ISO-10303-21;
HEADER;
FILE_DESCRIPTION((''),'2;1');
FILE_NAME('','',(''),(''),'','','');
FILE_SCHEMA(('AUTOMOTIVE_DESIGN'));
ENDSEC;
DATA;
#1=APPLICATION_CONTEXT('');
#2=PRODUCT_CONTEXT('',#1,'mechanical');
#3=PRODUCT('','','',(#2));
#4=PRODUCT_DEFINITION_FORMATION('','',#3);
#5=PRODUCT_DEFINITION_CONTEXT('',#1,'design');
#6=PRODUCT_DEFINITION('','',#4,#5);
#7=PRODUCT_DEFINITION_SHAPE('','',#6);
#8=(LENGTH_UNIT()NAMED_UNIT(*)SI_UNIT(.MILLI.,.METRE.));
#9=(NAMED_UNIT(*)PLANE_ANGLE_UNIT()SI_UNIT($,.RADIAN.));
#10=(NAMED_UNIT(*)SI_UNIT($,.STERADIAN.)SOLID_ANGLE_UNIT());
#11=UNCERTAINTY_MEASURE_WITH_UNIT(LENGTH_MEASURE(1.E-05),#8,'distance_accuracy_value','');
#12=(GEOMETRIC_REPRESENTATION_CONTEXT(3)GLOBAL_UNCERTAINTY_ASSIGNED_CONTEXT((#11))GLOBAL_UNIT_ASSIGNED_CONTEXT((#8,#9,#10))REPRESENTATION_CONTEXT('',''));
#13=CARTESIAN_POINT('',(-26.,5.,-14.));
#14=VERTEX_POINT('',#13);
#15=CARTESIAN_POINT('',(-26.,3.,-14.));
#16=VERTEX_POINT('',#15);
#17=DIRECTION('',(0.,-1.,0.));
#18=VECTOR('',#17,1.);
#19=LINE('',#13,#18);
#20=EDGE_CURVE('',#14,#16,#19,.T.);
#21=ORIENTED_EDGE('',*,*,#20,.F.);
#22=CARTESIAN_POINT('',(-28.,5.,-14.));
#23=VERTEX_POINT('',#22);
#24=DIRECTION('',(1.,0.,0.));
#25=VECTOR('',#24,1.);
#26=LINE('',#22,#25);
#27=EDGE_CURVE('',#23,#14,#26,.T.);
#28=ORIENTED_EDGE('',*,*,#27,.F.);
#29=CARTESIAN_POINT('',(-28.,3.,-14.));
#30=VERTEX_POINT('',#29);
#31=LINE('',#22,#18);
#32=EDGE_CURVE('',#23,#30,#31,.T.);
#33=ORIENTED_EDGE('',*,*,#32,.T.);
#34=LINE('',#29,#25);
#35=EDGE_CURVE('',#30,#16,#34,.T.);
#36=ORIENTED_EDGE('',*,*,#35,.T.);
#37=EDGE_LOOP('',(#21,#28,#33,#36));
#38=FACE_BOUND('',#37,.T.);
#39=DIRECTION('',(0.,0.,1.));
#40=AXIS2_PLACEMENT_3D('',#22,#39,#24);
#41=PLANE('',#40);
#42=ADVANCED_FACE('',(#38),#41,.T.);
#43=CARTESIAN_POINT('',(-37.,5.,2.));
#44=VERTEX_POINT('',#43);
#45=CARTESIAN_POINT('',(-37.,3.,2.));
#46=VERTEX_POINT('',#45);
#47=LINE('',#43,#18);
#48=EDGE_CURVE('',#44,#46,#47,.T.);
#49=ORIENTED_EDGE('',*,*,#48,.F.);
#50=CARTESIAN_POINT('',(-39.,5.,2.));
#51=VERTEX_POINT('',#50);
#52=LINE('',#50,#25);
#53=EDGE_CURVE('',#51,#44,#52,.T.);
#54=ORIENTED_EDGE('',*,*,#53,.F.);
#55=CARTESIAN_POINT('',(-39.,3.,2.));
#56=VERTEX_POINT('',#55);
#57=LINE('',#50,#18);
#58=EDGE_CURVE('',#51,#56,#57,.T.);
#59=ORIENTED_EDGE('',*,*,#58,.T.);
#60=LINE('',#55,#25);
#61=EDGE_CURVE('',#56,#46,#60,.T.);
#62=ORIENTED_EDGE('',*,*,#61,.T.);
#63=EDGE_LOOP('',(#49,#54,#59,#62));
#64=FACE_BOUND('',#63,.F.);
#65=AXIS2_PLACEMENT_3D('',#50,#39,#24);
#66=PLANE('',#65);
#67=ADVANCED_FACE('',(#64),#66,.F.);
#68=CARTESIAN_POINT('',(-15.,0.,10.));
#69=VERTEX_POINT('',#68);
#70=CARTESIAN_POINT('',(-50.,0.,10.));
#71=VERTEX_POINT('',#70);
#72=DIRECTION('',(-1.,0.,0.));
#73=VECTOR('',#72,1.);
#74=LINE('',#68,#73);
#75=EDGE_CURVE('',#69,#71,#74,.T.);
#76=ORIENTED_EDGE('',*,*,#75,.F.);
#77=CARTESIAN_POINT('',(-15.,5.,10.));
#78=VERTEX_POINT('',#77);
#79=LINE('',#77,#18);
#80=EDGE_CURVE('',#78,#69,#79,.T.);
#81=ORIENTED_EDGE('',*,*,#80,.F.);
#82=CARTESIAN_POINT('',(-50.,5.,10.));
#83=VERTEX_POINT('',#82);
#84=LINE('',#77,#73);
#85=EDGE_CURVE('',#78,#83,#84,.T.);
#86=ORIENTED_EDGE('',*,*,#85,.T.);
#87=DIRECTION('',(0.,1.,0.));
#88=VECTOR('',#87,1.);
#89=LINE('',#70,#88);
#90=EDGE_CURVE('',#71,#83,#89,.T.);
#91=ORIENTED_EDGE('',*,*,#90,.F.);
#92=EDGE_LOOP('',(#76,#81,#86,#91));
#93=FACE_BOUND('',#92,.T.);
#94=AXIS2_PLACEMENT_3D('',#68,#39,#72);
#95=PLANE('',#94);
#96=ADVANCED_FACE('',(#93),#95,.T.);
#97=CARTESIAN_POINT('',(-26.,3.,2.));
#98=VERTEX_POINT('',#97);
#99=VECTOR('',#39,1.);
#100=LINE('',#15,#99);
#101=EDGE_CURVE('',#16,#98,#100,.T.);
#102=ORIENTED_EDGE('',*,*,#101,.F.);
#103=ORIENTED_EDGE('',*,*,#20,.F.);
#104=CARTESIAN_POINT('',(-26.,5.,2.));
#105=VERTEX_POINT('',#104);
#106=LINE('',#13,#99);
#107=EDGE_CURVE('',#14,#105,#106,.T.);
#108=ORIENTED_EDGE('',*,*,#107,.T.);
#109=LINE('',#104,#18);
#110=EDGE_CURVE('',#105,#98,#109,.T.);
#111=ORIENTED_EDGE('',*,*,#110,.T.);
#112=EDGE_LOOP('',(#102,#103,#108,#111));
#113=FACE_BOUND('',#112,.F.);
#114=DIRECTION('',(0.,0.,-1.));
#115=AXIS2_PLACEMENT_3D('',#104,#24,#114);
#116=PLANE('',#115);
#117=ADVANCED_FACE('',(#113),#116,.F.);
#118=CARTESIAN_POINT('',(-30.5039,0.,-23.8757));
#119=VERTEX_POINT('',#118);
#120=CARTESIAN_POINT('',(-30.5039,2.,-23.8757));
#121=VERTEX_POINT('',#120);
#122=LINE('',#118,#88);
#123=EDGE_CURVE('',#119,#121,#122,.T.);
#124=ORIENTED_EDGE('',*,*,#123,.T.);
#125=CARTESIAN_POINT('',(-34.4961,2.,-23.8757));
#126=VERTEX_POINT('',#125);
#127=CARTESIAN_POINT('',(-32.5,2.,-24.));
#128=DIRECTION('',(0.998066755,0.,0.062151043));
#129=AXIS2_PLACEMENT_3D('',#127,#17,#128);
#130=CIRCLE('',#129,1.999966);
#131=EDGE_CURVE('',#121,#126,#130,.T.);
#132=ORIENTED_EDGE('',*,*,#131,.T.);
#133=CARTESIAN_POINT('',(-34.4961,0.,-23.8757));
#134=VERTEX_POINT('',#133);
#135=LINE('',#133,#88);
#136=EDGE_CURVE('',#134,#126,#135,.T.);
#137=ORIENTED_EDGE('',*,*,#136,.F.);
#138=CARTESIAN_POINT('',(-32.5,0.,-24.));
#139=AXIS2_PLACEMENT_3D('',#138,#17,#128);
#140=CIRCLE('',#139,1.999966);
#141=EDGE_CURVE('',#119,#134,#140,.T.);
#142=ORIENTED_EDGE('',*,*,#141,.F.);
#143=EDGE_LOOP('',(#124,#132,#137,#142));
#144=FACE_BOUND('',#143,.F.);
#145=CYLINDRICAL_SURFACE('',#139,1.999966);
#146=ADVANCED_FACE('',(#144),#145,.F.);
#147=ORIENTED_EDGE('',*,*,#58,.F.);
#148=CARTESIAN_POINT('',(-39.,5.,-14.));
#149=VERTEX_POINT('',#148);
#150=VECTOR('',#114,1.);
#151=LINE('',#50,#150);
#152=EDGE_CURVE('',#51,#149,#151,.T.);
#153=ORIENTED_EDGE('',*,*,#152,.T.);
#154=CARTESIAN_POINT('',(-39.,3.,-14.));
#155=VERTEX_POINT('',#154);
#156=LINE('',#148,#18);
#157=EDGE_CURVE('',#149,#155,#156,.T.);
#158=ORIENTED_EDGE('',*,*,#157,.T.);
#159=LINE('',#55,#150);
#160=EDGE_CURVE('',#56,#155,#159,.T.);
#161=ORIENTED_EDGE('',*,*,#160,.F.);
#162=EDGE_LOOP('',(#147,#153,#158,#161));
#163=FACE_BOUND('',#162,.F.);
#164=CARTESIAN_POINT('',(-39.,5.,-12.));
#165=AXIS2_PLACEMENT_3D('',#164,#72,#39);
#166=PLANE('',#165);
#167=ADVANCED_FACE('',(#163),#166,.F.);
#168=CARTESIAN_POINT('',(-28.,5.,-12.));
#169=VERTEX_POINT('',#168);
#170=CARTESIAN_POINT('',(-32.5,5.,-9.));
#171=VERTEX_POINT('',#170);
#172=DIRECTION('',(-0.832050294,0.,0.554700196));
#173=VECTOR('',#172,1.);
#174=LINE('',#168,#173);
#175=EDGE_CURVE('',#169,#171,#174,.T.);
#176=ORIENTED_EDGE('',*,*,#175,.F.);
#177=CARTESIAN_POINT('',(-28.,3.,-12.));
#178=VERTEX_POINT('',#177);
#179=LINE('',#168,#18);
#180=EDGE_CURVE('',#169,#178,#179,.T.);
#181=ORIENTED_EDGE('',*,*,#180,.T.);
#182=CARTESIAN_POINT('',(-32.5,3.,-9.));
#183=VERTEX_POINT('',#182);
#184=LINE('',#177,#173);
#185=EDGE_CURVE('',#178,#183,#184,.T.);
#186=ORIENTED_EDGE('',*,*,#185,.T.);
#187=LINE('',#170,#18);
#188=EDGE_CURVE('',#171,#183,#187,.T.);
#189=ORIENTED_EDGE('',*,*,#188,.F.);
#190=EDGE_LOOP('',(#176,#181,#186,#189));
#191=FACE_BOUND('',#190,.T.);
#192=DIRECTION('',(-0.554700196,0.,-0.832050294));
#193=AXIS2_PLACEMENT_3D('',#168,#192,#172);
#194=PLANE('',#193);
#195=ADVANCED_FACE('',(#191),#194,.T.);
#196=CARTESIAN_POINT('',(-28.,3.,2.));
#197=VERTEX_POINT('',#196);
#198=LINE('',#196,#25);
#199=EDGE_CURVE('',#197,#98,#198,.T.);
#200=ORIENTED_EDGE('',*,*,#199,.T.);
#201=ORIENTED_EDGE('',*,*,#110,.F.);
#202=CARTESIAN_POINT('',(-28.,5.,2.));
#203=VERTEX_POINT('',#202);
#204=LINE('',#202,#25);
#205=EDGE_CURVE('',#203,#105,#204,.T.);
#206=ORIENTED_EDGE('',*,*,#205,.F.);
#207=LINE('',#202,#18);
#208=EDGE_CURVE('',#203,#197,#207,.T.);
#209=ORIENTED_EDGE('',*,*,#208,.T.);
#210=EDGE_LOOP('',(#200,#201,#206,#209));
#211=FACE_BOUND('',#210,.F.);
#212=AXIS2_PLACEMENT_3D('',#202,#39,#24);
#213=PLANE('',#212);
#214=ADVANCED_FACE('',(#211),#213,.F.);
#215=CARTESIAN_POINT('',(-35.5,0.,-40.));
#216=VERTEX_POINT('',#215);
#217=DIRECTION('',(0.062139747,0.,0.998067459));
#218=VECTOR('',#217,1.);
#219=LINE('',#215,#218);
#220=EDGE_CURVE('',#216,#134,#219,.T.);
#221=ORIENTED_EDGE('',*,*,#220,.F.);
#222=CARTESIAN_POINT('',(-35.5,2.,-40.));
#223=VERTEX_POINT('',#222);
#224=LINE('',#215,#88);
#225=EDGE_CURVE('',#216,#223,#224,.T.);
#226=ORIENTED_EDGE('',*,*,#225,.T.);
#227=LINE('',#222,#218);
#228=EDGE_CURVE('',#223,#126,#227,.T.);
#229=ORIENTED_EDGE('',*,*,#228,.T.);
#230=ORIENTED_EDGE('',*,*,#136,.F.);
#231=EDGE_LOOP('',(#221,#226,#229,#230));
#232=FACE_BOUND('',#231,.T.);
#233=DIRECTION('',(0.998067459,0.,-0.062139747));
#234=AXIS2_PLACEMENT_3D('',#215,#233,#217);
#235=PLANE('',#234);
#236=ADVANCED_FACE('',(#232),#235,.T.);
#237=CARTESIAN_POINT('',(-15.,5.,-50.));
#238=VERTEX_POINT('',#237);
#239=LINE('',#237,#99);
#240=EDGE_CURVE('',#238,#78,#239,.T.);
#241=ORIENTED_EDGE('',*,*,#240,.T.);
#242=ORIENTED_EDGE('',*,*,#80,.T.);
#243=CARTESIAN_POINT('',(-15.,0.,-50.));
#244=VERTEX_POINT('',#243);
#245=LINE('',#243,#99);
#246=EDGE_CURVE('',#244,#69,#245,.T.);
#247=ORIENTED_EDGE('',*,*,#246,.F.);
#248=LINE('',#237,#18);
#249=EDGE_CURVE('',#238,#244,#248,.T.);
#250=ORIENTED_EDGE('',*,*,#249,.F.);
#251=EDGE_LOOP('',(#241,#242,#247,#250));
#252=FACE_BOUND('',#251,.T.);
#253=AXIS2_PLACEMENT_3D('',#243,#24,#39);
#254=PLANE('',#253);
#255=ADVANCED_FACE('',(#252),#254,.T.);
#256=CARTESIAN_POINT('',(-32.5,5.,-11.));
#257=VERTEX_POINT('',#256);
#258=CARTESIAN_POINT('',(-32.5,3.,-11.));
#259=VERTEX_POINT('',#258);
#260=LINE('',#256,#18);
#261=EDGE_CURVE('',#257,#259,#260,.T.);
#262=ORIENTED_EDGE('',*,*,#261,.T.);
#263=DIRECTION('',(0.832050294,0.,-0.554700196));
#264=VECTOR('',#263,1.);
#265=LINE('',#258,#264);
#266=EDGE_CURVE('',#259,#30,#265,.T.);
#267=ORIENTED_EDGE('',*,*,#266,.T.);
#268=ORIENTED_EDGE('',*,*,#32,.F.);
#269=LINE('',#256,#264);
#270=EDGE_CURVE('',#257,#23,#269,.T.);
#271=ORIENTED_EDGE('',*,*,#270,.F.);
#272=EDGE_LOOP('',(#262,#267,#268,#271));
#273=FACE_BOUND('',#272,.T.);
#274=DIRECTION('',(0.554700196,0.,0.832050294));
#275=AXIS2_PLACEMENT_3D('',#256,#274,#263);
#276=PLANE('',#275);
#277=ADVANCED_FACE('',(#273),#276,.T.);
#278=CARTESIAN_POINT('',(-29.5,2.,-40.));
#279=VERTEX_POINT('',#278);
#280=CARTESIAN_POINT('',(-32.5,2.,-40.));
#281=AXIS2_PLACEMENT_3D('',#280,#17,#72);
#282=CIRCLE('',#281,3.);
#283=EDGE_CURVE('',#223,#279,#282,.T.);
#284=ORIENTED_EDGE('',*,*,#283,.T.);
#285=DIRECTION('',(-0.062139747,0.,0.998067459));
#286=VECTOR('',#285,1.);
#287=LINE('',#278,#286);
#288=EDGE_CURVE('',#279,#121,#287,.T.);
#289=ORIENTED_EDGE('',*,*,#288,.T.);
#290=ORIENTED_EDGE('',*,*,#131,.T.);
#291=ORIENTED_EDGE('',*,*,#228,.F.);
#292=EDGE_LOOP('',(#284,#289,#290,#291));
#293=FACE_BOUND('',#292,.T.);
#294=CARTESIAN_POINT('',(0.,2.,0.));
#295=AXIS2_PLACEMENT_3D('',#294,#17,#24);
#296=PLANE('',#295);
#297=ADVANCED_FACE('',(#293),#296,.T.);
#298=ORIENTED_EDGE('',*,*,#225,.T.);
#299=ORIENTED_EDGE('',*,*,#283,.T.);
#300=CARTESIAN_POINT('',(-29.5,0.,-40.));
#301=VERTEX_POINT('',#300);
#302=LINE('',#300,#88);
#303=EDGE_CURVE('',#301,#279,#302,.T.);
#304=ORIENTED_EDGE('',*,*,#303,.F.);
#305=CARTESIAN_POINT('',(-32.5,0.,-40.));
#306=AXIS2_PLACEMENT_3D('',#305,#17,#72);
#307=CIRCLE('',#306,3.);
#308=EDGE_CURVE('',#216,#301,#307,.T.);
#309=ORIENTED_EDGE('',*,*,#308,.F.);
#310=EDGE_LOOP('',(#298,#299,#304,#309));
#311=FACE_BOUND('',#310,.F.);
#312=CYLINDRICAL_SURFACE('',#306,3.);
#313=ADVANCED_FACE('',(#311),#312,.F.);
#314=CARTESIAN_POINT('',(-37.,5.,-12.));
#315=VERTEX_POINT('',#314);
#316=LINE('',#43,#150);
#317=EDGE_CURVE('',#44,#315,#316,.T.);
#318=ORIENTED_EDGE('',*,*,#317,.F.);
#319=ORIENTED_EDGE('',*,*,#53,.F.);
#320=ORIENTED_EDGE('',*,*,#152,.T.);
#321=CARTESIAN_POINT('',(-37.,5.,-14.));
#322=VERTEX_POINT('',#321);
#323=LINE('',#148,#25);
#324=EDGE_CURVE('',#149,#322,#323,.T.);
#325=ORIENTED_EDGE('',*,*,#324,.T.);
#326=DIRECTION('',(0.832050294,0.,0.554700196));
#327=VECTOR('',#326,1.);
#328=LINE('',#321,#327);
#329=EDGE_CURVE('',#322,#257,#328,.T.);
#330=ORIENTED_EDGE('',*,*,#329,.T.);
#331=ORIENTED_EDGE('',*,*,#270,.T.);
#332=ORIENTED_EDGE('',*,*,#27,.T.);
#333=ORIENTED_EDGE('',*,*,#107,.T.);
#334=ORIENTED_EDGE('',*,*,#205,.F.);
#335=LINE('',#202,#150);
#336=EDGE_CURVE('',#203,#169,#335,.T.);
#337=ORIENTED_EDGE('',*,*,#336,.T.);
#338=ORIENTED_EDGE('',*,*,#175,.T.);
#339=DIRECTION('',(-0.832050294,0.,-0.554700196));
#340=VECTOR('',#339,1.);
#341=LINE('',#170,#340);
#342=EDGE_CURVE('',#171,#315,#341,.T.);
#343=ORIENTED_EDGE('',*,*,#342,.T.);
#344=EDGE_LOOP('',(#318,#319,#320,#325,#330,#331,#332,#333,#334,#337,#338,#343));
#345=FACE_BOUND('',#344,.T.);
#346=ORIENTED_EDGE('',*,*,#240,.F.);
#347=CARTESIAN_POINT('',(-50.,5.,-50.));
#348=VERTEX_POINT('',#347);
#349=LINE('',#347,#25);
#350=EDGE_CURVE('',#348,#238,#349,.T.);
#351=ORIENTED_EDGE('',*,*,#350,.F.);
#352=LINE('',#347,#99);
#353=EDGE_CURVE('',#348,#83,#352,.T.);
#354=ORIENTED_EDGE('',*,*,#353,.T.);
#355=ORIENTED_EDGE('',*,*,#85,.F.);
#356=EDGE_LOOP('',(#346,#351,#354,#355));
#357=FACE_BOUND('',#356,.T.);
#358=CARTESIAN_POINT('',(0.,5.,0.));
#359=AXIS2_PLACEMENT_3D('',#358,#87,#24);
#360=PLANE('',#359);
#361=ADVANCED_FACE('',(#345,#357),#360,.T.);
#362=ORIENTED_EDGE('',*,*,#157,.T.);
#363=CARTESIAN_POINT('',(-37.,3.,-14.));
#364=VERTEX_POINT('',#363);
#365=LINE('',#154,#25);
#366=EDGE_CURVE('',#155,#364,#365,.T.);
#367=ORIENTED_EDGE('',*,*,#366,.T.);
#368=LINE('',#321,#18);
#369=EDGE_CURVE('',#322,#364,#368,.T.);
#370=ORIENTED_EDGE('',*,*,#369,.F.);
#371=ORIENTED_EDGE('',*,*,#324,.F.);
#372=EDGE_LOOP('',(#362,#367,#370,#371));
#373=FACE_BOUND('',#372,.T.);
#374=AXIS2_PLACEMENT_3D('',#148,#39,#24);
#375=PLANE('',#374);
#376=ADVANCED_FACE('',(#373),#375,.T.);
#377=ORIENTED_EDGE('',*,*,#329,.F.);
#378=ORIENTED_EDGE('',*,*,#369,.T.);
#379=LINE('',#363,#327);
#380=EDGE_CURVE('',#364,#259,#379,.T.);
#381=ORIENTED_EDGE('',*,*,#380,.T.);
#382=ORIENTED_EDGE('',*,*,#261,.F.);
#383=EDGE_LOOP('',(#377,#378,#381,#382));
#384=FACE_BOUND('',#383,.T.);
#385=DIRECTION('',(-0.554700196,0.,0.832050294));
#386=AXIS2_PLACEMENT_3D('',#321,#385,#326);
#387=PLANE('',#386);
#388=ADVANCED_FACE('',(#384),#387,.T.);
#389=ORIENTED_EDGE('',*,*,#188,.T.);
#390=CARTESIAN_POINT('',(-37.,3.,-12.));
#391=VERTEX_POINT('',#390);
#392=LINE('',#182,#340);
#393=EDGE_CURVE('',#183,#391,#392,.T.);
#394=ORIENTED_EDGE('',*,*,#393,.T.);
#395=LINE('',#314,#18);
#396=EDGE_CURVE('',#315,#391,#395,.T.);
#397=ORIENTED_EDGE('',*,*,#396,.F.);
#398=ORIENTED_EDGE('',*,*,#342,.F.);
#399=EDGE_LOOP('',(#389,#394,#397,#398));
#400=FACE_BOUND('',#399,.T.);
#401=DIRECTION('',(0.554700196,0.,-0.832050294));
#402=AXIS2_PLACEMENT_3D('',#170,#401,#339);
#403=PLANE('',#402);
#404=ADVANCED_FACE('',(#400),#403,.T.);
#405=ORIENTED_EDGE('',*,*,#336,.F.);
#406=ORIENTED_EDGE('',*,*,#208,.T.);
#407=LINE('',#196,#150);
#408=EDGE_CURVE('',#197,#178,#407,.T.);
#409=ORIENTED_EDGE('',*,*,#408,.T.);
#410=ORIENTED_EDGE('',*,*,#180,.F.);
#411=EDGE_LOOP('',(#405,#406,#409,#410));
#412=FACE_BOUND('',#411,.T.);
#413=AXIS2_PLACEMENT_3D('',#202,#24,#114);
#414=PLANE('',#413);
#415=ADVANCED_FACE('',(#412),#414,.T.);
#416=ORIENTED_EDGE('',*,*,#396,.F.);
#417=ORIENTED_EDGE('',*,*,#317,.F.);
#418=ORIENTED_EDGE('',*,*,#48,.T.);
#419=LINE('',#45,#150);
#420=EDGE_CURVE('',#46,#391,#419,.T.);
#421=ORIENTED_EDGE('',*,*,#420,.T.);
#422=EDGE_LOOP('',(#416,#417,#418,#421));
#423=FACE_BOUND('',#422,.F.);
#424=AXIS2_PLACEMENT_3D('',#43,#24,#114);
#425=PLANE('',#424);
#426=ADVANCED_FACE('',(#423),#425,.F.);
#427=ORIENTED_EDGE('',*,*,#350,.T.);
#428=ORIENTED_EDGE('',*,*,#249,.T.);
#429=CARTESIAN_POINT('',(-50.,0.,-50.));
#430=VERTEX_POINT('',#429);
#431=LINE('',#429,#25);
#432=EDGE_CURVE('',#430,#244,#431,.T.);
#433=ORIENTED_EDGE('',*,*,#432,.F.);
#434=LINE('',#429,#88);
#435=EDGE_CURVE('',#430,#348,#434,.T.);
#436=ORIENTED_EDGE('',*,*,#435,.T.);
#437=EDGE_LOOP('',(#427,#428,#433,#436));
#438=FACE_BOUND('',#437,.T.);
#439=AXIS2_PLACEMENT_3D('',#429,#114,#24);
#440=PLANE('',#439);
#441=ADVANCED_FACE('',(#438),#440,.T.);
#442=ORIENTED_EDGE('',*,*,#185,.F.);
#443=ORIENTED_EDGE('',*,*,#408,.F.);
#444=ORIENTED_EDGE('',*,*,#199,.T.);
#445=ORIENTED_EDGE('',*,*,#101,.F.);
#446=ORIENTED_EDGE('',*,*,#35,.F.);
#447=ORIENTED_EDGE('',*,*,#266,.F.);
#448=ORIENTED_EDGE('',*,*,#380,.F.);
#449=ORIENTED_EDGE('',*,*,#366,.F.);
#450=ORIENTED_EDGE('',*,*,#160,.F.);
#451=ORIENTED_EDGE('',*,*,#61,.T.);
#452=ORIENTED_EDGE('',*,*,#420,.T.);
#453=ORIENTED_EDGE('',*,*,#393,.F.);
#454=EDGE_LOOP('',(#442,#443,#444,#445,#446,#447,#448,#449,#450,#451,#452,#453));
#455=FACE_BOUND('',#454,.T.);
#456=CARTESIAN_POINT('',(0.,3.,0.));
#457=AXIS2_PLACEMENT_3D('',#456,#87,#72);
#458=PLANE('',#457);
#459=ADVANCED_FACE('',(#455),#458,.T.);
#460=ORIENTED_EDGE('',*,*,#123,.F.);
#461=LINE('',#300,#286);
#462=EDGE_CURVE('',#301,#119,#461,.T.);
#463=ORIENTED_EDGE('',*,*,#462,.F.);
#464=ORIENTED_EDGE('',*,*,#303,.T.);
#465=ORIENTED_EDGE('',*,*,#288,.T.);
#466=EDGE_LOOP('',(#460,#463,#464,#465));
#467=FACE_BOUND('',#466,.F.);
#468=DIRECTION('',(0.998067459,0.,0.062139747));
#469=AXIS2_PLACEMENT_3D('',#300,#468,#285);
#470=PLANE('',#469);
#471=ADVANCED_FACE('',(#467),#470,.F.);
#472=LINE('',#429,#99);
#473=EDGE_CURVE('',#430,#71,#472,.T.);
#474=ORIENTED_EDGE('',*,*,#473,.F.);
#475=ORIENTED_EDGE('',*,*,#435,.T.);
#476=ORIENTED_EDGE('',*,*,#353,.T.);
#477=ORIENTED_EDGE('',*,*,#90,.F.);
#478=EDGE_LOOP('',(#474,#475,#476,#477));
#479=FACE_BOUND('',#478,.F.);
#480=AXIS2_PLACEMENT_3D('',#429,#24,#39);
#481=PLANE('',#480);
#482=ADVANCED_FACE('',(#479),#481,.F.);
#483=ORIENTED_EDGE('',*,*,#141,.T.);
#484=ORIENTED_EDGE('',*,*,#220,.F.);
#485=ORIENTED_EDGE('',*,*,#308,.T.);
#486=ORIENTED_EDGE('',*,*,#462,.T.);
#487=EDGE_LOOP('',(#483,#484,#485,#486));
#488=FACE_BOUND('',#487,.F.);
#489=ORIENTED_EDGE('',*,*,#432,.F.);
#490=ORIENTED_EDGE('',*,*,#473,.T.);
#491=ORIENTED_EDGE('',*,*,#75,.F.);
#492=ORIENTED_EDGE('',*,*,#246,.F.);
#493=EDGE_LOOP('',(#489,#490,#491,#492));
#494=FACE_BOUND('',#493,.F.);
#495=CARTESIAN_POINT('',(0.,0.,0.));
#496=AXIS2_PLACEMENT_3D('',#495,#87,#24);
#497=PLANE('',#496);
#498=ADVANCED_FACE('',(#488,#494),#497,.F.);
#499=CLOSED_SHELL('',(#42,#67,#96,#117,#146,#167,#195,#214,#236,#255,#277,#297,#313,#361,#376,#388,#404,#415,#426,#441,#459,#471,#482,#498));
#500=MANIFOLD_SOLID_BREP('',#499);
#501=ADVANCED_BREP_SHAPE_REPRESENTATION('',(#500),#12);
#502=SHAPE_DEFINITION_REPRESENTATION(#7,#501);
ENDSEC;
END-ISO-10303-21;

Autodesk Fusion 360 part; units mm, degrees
sketch "Boceto1" plane through (0, 0, 0) normal (0, 1, 0) x (1, 0, 0)
  line L0 (-50, 50) -> (-50, -10)
  line L1 (-50, 50) -> (-15, 50)
  line L2 (-15, 50) -> (-15, -10)
  line L3 (-15, -10) -> (-50, -10)
  dimension "d1" = 60
  dimension "d2" = 35
extrude "Extruir1" add sketch "Boceto1" along normal blind 3
sketch "Boceto2" plane through (0, 0, 0) normal (0, -1, 0) x (1, 0, 0)
  line L0 (-50, 10) -> (-50, -50)
  line L1 (-50, -50) -> (-15, -50)
  line L2 (-15, -50) -> (-15, 10)
  line L3 (-15, 10) -> (-50, 10)
  line L4 (-35.5, -40) -> (-34.4961, -23.8757)
  line L5 (-29.5, -40) -> (-30.5039, -23.8757)
  arc A0 (-30.5039, -23.8757) -> (-34.4961, -23.8757) centre (-32.5, -24) ccw
  arc A1 (-35.5, -40) -> (-29.5, -40) centre (-32.5, -40) ccw
  arc A2 (-35.5, -40) -> (-29.5, -40) centre (-32.5, -40) ccw
extrude "Extruir2" add 1 faces at (-38.3333, 3, -30) along direction (0, 1, 0) blind 2
extrude "Extruir3" cut sketch "Boceto2" against normal blind 2 contours L4 L5 A0 A1 A2
sketch "Boceto3" plane through (0, 5, 0) normal (0, 1, 0) x (-1, 0, 0)
  line L0 (50, -50) -> (50, 10)
  line L1 (50, 10) -> (15, 10)
  line L2 (15, 10) -> (15, -50)
  line L3 (15, -50) -> (50, -50)
  line L4 (39, -12) -> (39, 2)
  line L5 (39, 2) -> (37, 2)
  line L6 (37, 2) -> (37, -12)
  line L7 (50, 10) -> (32.5, 10)
  line L8 (32.5, -9) -> (37, -12)
  line L9 (28, 2) -> (26, 2)
  line L10 (26, 2) -> (26, -12)
  line L11 (28, 2) -> (28, -12)
  line L12 (28, -12) -> (32.5, -9)
  line L13 (39, -12) -> (39, -14)
  line L14 (39, -14) -> (37, -14)
  line L15 (37, -14) -> (32.5, -11)
  line L16 (32.5, -11) -> (28, -14)
  line L17 (28, -14) -> (26, -14)
  line L18 (26, -14) -> (26, -12)
extrude "Extruir4" cut sketch "Boceto3" against normal blind 2 contours L4 L5 L6 L8 L9 L10 L11 L12 L13 L14 L15 L16 L17 L18
